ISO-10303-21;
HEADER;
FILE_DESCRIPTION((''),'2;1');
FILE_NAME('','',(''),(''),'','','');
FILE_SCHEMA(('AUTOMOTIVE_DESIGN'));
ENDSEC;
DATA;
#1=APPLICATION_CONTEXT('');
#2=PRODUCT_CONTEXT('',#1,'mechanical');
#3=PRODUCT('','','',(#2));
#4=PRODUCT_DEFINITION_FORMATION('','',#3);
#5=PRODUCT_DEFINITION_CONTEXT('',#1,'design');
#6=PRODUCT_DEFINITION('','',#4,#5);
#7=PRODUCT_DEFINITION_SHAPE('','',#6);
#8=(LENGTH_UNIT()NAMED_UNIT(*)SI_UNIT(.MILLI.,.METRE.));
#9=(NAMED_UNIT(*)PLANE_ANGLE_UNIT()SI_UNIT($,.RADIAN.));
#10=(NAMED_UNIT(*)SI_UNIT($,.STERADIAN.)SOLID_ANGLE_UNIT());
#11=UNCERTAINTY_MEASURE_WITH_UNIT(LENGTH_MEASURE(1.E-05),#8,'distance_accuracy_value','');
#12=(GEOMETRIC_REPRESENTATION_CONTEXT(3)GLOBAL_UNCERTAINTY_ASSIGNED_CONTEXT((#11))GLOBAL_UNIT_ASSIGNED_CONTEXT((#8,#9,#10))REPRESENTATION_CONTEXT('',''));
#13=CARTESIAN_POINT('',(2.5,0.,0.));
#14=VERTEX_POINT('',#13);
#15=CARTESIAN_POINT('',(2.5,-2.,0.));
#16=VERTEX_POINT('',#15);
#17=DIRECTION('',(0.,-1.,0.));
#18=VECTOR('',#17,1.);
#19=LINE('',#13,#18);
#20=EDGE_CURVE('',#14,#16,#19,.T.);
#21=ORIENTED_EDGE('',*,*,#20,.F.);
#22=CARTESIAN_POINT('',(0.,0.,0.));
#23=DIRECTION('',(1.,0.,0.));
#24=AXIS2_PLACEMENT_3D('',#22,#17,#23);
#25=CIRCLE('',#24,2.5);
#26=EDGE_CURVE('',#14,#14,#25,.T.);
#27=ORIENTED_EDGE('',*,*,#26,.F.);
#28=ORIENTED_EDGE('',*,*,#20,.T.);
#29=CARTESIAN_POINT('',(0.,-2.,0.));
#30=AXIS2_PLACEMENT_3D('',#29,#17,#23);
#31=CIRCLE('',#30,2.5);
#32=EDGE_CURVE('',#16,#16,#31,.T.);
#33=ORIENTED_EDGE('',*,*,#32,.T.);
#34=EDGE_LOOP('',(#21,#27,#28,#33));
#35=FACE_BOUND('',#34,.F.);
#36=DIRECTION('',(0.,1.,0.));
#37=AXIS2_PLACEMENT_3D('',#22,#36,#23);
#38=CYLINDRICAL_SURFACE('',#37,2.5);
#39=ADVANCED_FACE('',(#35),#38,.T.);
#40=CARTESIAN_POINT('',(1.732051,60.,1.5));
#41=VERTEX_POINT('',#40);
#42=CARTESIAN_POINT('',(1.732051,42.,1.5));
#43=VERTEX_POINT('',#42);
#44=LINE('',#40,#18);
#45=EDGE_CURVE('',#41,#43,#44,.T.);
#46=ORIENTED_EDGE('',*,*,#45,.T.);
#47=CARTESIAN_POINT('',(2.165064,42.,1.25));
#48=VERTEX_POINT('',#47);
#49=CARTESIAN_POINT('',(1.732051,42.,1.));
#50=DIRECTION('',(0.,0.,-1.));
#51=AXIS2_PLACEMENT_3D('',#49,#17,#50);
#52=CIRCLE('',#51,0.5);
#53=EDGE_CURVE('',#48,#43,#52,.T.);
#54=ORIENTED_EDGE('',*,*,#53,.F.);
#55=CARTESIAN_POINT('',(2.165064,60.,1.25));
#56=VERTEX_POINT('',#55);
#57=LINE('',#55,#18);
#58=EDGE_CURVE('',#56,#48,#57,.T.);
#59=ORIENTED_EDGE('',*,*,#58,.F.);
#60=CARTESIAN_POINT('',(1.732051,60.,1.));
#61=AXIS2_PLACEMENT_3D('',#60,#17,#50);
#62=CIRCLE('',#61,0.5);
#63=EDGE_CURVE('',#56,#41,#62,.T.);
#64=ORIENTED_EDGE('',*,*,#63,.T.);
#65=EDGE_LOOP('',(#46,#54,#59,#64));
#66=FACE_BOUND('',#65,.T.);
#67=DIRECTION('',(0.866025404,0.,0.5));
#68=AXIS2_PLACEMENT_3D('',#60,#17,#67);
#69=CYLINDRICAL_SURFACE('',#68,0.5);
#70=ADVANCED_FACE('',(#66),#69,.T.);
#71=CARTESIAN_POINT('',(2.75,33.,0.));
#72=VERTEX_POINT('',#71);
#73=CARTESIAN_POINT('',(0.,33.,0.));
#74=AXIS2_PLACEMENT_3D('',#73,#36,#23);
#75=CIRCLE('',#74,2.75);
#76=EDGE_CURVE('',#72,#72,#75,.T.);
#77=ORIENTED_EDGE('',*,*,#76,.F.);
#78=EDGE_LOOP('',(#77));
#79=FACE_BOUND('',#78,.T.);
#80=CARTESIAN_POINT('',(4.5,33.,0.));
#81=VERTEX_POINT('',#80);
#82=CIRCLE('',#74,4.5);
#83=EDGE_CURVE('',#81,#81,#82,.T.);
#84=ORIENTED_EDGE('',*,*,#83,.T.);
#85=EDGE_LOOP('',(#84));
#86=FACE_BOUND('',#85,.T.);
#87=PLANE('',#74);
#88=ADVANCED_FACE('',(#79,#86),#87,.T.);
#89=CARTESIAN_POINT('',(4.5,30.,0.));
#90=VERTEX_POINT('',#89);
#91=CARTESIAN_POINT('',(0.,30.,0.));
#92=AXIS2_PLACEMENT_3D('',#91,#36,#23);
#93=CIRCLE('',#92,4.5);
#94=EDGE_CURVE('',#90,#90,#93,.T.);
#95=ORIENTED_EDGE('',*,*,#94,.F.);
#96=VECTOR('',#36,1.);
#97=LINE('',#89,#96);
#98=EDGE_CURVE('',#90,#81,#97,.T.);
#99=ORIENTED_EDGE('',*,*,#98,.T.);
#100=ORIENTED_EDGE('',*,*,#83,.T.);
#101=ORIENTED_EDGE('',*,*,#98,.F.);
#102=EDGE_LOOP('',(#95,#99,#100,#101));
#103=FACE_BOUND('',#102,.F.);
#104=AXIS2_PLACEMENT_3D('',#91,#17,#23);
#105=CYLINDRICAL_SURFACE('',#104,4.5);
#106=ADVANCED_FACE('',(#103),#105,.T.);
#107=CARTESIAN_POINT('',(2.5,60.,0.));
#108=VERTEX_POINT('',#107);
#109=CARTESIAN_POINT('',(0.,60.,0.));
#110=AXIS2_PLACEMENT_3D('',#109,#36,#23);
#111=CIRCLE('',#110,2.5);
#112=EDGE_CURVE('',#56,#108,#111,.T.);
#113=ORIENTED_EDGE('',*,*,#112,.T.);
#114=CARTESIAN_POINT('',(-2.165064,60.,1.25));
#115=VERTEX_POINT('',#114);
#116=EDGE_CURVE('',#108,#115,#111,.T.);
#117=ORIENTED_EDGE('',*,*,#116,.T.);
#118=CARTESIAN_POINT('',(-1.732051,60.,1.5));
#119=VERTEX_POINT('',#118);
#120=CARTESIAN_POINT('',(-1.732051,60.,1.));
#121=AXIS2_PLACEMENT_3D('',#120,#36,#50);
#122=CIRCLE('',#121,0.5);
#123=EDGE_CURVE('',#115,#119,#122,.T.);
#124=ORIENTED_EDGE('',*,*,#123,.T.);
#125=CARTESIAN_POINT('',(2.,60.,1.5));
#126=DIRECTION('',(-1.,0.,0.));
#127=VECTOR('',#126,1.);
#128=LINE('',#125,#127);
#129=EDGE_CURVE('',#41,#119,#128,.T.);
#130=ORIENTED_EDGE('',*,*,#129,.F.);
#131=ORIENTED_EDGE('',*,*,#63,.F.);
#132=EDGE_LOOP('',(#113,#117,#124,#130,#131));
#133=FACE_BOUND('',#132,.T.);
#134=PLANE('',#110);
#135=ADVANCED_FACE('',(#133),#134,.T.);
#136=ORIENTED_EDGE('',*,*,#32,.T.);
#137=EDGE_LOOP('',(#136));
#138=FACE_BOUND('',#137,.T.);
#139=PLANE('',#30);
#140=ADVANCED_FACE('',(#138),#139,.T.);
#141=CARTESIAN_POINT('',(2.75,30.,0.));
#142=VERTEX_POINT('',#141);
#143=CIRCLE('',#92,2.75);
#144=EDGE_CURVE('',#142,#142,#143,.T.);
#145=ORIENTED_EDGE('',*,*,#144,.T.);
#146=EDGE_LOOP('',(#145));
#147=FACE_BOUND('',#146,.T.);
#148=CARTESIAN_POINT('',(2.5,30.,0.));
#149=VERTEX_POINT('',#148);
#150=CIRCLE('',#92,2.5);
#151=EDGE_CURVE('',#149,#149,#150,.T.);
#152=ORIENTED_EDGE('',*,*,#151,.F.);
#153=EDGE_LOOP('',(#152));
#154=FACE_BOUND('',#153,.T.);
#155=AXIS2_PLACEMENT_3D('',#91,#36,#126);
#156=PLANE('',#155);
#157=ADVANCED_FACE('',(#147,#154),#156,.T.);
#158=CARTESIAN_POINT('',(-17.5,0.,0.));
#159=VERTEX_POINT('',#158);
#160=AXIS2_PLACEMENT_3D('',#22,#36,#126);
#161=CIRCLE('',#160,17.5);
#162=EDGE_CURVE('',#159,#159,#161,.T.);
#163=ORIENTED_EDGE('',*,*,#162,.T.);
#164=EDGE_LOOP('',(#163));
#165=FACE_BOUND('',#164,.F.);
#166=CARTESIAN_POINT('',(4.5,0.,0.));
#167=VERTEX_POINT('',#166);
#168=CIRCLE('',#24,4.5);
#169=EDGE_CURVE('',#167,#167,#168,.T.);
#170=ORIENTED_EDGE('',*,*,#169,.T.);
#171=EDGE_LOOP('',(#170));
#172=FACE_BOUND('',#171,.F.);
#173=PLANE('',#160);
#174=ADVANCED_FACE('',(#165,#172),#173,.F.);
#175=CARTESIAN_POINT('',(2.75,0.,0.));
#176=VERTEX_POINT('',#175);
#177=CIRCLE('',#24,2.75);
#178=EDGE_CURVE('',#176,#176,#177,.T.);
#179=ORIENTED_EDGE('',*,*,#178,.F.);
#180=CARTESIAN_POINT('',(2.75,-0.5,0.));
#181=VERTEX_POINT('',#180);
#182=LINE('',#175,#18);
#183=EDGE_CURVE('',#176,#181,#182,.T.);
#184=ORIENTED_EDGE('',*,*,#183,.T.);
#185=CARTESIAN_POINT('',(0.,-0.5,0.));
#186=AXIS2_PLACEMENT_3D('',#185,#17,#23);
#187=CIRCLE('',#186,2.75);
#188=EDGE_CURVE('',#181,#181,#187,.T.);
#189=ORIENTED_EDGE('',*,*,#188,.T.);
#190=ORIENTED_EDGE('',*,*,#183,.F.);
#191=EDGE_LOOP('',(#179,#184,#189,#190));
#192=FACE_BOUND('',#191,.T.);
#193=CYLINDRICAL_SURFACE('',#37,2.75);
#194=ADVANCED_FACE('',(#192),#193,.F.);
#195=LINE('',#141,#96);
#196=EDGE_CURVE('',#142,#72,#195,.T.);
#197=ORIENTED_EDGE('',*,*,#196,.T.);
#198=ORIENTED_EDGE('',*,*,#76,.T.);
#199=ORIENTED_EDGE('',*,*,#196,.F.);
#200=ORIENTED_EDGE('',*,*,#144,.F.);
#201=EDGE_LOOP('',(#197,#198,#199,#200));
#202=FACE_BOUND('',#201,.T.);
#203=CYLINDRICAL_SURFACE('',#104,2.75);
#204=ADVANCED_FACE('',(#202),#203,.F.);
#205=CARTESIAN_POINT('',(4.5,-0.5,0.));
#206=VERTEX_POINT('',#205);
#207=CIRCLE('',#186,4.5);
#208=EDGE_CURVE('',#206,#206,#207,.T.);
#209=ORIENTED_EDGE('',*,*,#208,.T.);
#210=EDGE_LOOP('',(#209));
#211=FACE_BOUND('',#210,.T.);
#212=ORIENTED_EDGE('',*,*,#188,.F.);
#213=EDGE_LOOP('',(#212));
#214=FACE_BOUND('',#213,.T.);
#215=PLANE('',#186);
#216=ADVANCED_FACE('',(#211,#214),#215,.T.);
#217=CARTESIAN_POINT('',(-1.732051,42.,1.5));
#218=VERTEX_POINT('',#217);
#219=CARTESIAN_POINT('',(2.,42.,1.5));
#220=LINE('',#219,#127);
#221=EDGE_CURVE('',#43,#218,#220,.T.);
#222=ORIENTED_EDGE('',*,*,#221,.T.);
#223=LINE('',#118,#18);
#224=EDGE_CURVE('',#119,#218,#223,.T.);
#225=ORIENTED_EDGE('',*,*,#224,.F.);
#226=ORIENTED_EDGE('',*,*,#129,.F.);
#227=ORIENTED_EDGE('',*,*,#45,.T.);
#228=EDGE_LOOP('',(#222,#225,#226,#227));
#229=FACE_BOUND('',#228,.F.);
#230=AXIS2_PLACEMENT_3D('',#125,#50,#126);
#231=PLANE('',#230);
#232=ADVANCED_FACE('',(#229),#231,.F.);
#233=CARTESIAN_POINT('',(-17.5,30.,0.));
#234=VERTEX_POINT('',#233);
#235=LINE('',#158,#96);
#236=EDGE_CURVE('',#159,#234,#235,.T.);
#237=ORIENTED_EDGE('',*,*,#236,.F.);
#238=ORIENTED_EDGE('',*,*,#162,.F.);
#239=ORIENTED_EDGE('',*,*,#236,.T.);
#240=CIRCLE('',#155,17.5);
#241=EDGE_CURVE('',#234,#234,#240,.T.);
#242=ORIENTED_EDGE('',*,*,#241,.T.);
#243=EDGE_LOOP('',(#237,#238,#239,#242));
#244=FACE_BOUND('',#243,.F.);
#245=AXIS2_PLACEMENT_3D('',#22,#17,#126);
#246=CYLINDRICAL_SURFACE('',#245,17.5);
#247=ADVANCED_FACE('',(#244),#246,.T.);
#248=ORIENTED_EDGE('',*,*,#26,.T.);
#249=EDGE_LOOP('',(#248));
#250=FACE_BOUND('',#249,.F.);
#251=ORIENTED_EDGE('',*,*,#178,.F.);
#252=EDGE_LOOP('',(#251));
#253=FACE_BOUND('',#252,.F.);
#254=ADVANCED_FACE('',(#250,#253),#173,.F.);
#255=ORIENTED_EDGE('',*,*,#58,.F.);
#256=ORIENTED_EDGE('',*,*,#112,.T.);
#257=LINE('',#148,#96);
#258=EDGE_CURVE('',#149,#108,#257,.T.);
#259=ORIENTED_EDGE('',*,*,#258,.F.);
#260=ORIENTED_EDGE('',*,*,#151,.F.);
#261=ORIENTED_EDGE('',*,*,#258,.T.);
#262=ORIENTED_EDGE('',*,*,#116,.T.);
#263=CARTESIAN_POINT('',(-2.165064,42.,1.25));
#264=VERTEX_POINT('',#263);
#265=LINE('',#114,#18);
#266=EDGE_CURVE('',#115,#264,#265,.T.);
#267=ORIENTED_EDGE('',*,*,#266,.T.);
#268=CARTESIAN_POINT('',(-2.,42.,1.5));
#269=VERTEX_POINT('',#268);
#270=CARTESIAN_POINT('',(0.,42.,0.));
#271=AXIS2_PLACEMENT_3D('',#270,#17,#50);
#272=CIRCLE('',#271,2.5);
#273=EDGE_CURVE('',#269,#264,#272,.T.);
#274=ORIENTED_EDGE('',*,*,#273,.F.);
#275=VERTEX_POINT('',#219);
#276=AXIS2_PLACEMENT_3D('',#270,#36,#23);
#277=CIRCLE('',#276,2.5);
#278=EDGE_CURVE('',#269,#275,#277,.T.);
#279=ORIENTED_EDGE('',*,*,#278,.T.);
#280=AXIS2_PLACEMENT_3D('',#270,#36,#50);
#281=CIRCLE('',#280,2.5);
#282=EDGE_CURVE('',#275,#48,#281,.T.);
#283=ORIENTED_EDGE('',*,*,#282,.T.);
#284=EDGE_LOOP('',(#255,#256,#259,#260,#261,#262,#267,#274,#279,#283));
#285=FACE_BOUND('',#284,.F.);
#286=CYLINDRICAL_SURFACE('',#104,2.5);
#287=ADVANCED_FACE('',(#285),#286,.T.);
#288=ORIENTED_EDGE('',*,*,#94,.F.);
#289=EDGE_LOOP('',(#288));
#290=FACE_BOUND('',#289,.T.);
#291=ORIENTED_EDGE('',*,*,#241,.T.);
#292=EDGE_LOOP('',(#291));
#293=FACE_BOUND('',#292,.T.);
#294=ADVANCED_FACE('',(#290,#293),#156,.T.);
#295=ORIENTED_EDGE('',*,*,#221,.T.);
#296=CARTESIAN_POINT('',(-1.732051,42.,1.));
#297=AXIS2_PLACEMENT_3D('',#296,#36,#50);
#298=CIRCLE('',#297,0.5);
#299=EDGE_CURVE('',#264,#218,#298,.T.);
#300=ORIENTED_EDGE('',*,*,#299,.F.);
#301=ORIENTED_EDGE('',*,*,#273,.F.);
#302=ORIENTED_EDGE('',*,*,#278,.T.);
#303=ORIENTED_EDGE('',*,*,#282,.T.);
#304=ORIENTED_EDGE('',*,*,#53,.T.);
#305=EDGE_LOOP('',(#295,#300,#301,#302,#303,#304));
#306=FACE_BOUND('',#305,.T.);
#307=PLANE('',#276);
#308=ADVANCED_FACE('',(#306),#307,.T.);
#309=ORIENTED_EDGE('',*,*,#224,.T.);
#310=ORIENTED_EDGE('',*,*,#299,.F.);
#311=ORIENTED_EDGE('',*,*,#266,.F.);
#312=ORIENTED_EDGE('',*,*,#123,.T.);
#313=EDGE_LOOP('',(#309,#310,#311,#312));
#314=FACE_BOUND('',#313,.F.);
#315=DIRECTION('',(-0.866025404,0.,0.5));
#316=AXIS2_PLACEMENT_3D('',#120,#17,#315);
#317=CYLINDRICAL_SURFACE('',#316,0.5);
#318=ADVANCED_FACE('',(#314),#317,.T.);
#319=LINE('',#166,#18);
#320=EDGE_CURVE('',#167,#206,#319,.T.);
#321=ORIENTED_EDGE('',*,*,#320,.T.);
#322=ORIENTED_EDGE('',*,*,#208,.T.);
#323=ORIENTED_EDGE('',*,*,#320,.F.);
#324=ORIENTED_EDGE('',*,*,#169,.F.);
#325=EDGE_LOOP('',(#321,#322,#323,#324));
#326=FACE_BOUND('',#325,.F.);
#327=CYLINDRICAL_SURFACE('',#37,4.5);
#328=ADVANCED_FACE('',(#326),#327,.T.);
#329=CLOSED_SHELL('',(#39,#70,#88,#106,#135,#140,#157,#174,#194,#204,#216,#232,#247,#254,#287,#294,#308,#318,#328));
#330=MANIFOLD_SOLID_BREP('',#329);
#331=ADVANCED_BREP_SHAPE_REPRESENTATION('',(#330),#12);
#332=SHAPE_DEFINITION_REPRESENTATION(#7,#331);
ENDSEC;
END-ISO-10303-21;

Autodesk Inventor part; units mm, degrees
ref_plane "YZ Plane" through (0, 0, 0) normal (1, 0, 0) x (0, 1, 0)
ref_plane "XZ Plane" through (0, 0, 0) normal (0, 1, 0) x (-1, 0, 0)
ref_plane "XY Plane" through (0, 0, 0) normal (0, 0, 1) x (1, 0, 0)
sketch "Sketch1" plane through (0, 0, 0) normal (0, 1, 0) x (-1, 0, 0)
  circle A0 centre (0, 0) radius 17.5
  dimension "d0" = 35
extrude "Extrusion1" add sketch "Sketch1" along normal blind 30
sketch "Sketch2" plane through (0, 0, 0) normal (0, -1, 0) x (1, 0, 0)
  circle A0 centre (0, 0) radius 2.5
  dimension "d3" = 5
extrude "Extrusion2" add sketch "Sketch2" along normal blind 2
sketch "Sketch3" plane through (0, 30, 0) normal (0, 1, 0) x (1, 0, 0)
  circle A0 centre (0, 0) radius 2.5
  dimension "d6" = 5
extrude "Extrusion3" add sketch "Sketch3" along normal blind 30
sketch "Sketch4" plane through (0, 30, 0) normal (0, 1, 0) x (1, 0, 0)
  circle A0 centre (0, 0) radius 4.5
  circle A1 centre (0, 0) radius 2.75
  dimension "d9" = 9
  dimension "d12" = 5.5
extrude "Extrusion5" add sketch "Sketch4" along normal blind 3
sketch "Sketch5" plane through (0, 0, 0) normal (0, -1, 0) x (1, 0, 0)
  circle A0 centre (0, 0) radius 2.75
  circle A1 centre (0, 0) radius 4.5
  dimension "d15" = 5.5
  dimension "d16" = 9
extrude "Extrusion6" add sketch "Sketch5" along normal blind 0.5
sketch "Sketch6" plane through (0, 60, 0) normal (0, 1, 0) x (1, 0, 0)
  line L0 (2.243, -1.5) -> (-2.3112, -1.5)
  circle A0 centre (0, 0) radius 2.75 projected
  circle A1 centre (0, 0) radius 2.5 projected
  circle A2 centre (0, 0) radius 2.5 projected
  line L1 (2, -1.5) -> (-2, -1.5)
  dimension "d19" = 1.5
extrude "Extrusion7" cut sketch "Sketch6" against normal blind 18 contours A1 L0 picked at (-0.534, -1.6398)
fillet "Fillet1" radius 0.5 2 edges at (2, 51, 1.5) (-2, 51, 1.5)
sketch "Sketch7" plane through (0, 60, 0) normal (0, 1, 0) x (1, 0, 0)
  point P0 (0, 0)
